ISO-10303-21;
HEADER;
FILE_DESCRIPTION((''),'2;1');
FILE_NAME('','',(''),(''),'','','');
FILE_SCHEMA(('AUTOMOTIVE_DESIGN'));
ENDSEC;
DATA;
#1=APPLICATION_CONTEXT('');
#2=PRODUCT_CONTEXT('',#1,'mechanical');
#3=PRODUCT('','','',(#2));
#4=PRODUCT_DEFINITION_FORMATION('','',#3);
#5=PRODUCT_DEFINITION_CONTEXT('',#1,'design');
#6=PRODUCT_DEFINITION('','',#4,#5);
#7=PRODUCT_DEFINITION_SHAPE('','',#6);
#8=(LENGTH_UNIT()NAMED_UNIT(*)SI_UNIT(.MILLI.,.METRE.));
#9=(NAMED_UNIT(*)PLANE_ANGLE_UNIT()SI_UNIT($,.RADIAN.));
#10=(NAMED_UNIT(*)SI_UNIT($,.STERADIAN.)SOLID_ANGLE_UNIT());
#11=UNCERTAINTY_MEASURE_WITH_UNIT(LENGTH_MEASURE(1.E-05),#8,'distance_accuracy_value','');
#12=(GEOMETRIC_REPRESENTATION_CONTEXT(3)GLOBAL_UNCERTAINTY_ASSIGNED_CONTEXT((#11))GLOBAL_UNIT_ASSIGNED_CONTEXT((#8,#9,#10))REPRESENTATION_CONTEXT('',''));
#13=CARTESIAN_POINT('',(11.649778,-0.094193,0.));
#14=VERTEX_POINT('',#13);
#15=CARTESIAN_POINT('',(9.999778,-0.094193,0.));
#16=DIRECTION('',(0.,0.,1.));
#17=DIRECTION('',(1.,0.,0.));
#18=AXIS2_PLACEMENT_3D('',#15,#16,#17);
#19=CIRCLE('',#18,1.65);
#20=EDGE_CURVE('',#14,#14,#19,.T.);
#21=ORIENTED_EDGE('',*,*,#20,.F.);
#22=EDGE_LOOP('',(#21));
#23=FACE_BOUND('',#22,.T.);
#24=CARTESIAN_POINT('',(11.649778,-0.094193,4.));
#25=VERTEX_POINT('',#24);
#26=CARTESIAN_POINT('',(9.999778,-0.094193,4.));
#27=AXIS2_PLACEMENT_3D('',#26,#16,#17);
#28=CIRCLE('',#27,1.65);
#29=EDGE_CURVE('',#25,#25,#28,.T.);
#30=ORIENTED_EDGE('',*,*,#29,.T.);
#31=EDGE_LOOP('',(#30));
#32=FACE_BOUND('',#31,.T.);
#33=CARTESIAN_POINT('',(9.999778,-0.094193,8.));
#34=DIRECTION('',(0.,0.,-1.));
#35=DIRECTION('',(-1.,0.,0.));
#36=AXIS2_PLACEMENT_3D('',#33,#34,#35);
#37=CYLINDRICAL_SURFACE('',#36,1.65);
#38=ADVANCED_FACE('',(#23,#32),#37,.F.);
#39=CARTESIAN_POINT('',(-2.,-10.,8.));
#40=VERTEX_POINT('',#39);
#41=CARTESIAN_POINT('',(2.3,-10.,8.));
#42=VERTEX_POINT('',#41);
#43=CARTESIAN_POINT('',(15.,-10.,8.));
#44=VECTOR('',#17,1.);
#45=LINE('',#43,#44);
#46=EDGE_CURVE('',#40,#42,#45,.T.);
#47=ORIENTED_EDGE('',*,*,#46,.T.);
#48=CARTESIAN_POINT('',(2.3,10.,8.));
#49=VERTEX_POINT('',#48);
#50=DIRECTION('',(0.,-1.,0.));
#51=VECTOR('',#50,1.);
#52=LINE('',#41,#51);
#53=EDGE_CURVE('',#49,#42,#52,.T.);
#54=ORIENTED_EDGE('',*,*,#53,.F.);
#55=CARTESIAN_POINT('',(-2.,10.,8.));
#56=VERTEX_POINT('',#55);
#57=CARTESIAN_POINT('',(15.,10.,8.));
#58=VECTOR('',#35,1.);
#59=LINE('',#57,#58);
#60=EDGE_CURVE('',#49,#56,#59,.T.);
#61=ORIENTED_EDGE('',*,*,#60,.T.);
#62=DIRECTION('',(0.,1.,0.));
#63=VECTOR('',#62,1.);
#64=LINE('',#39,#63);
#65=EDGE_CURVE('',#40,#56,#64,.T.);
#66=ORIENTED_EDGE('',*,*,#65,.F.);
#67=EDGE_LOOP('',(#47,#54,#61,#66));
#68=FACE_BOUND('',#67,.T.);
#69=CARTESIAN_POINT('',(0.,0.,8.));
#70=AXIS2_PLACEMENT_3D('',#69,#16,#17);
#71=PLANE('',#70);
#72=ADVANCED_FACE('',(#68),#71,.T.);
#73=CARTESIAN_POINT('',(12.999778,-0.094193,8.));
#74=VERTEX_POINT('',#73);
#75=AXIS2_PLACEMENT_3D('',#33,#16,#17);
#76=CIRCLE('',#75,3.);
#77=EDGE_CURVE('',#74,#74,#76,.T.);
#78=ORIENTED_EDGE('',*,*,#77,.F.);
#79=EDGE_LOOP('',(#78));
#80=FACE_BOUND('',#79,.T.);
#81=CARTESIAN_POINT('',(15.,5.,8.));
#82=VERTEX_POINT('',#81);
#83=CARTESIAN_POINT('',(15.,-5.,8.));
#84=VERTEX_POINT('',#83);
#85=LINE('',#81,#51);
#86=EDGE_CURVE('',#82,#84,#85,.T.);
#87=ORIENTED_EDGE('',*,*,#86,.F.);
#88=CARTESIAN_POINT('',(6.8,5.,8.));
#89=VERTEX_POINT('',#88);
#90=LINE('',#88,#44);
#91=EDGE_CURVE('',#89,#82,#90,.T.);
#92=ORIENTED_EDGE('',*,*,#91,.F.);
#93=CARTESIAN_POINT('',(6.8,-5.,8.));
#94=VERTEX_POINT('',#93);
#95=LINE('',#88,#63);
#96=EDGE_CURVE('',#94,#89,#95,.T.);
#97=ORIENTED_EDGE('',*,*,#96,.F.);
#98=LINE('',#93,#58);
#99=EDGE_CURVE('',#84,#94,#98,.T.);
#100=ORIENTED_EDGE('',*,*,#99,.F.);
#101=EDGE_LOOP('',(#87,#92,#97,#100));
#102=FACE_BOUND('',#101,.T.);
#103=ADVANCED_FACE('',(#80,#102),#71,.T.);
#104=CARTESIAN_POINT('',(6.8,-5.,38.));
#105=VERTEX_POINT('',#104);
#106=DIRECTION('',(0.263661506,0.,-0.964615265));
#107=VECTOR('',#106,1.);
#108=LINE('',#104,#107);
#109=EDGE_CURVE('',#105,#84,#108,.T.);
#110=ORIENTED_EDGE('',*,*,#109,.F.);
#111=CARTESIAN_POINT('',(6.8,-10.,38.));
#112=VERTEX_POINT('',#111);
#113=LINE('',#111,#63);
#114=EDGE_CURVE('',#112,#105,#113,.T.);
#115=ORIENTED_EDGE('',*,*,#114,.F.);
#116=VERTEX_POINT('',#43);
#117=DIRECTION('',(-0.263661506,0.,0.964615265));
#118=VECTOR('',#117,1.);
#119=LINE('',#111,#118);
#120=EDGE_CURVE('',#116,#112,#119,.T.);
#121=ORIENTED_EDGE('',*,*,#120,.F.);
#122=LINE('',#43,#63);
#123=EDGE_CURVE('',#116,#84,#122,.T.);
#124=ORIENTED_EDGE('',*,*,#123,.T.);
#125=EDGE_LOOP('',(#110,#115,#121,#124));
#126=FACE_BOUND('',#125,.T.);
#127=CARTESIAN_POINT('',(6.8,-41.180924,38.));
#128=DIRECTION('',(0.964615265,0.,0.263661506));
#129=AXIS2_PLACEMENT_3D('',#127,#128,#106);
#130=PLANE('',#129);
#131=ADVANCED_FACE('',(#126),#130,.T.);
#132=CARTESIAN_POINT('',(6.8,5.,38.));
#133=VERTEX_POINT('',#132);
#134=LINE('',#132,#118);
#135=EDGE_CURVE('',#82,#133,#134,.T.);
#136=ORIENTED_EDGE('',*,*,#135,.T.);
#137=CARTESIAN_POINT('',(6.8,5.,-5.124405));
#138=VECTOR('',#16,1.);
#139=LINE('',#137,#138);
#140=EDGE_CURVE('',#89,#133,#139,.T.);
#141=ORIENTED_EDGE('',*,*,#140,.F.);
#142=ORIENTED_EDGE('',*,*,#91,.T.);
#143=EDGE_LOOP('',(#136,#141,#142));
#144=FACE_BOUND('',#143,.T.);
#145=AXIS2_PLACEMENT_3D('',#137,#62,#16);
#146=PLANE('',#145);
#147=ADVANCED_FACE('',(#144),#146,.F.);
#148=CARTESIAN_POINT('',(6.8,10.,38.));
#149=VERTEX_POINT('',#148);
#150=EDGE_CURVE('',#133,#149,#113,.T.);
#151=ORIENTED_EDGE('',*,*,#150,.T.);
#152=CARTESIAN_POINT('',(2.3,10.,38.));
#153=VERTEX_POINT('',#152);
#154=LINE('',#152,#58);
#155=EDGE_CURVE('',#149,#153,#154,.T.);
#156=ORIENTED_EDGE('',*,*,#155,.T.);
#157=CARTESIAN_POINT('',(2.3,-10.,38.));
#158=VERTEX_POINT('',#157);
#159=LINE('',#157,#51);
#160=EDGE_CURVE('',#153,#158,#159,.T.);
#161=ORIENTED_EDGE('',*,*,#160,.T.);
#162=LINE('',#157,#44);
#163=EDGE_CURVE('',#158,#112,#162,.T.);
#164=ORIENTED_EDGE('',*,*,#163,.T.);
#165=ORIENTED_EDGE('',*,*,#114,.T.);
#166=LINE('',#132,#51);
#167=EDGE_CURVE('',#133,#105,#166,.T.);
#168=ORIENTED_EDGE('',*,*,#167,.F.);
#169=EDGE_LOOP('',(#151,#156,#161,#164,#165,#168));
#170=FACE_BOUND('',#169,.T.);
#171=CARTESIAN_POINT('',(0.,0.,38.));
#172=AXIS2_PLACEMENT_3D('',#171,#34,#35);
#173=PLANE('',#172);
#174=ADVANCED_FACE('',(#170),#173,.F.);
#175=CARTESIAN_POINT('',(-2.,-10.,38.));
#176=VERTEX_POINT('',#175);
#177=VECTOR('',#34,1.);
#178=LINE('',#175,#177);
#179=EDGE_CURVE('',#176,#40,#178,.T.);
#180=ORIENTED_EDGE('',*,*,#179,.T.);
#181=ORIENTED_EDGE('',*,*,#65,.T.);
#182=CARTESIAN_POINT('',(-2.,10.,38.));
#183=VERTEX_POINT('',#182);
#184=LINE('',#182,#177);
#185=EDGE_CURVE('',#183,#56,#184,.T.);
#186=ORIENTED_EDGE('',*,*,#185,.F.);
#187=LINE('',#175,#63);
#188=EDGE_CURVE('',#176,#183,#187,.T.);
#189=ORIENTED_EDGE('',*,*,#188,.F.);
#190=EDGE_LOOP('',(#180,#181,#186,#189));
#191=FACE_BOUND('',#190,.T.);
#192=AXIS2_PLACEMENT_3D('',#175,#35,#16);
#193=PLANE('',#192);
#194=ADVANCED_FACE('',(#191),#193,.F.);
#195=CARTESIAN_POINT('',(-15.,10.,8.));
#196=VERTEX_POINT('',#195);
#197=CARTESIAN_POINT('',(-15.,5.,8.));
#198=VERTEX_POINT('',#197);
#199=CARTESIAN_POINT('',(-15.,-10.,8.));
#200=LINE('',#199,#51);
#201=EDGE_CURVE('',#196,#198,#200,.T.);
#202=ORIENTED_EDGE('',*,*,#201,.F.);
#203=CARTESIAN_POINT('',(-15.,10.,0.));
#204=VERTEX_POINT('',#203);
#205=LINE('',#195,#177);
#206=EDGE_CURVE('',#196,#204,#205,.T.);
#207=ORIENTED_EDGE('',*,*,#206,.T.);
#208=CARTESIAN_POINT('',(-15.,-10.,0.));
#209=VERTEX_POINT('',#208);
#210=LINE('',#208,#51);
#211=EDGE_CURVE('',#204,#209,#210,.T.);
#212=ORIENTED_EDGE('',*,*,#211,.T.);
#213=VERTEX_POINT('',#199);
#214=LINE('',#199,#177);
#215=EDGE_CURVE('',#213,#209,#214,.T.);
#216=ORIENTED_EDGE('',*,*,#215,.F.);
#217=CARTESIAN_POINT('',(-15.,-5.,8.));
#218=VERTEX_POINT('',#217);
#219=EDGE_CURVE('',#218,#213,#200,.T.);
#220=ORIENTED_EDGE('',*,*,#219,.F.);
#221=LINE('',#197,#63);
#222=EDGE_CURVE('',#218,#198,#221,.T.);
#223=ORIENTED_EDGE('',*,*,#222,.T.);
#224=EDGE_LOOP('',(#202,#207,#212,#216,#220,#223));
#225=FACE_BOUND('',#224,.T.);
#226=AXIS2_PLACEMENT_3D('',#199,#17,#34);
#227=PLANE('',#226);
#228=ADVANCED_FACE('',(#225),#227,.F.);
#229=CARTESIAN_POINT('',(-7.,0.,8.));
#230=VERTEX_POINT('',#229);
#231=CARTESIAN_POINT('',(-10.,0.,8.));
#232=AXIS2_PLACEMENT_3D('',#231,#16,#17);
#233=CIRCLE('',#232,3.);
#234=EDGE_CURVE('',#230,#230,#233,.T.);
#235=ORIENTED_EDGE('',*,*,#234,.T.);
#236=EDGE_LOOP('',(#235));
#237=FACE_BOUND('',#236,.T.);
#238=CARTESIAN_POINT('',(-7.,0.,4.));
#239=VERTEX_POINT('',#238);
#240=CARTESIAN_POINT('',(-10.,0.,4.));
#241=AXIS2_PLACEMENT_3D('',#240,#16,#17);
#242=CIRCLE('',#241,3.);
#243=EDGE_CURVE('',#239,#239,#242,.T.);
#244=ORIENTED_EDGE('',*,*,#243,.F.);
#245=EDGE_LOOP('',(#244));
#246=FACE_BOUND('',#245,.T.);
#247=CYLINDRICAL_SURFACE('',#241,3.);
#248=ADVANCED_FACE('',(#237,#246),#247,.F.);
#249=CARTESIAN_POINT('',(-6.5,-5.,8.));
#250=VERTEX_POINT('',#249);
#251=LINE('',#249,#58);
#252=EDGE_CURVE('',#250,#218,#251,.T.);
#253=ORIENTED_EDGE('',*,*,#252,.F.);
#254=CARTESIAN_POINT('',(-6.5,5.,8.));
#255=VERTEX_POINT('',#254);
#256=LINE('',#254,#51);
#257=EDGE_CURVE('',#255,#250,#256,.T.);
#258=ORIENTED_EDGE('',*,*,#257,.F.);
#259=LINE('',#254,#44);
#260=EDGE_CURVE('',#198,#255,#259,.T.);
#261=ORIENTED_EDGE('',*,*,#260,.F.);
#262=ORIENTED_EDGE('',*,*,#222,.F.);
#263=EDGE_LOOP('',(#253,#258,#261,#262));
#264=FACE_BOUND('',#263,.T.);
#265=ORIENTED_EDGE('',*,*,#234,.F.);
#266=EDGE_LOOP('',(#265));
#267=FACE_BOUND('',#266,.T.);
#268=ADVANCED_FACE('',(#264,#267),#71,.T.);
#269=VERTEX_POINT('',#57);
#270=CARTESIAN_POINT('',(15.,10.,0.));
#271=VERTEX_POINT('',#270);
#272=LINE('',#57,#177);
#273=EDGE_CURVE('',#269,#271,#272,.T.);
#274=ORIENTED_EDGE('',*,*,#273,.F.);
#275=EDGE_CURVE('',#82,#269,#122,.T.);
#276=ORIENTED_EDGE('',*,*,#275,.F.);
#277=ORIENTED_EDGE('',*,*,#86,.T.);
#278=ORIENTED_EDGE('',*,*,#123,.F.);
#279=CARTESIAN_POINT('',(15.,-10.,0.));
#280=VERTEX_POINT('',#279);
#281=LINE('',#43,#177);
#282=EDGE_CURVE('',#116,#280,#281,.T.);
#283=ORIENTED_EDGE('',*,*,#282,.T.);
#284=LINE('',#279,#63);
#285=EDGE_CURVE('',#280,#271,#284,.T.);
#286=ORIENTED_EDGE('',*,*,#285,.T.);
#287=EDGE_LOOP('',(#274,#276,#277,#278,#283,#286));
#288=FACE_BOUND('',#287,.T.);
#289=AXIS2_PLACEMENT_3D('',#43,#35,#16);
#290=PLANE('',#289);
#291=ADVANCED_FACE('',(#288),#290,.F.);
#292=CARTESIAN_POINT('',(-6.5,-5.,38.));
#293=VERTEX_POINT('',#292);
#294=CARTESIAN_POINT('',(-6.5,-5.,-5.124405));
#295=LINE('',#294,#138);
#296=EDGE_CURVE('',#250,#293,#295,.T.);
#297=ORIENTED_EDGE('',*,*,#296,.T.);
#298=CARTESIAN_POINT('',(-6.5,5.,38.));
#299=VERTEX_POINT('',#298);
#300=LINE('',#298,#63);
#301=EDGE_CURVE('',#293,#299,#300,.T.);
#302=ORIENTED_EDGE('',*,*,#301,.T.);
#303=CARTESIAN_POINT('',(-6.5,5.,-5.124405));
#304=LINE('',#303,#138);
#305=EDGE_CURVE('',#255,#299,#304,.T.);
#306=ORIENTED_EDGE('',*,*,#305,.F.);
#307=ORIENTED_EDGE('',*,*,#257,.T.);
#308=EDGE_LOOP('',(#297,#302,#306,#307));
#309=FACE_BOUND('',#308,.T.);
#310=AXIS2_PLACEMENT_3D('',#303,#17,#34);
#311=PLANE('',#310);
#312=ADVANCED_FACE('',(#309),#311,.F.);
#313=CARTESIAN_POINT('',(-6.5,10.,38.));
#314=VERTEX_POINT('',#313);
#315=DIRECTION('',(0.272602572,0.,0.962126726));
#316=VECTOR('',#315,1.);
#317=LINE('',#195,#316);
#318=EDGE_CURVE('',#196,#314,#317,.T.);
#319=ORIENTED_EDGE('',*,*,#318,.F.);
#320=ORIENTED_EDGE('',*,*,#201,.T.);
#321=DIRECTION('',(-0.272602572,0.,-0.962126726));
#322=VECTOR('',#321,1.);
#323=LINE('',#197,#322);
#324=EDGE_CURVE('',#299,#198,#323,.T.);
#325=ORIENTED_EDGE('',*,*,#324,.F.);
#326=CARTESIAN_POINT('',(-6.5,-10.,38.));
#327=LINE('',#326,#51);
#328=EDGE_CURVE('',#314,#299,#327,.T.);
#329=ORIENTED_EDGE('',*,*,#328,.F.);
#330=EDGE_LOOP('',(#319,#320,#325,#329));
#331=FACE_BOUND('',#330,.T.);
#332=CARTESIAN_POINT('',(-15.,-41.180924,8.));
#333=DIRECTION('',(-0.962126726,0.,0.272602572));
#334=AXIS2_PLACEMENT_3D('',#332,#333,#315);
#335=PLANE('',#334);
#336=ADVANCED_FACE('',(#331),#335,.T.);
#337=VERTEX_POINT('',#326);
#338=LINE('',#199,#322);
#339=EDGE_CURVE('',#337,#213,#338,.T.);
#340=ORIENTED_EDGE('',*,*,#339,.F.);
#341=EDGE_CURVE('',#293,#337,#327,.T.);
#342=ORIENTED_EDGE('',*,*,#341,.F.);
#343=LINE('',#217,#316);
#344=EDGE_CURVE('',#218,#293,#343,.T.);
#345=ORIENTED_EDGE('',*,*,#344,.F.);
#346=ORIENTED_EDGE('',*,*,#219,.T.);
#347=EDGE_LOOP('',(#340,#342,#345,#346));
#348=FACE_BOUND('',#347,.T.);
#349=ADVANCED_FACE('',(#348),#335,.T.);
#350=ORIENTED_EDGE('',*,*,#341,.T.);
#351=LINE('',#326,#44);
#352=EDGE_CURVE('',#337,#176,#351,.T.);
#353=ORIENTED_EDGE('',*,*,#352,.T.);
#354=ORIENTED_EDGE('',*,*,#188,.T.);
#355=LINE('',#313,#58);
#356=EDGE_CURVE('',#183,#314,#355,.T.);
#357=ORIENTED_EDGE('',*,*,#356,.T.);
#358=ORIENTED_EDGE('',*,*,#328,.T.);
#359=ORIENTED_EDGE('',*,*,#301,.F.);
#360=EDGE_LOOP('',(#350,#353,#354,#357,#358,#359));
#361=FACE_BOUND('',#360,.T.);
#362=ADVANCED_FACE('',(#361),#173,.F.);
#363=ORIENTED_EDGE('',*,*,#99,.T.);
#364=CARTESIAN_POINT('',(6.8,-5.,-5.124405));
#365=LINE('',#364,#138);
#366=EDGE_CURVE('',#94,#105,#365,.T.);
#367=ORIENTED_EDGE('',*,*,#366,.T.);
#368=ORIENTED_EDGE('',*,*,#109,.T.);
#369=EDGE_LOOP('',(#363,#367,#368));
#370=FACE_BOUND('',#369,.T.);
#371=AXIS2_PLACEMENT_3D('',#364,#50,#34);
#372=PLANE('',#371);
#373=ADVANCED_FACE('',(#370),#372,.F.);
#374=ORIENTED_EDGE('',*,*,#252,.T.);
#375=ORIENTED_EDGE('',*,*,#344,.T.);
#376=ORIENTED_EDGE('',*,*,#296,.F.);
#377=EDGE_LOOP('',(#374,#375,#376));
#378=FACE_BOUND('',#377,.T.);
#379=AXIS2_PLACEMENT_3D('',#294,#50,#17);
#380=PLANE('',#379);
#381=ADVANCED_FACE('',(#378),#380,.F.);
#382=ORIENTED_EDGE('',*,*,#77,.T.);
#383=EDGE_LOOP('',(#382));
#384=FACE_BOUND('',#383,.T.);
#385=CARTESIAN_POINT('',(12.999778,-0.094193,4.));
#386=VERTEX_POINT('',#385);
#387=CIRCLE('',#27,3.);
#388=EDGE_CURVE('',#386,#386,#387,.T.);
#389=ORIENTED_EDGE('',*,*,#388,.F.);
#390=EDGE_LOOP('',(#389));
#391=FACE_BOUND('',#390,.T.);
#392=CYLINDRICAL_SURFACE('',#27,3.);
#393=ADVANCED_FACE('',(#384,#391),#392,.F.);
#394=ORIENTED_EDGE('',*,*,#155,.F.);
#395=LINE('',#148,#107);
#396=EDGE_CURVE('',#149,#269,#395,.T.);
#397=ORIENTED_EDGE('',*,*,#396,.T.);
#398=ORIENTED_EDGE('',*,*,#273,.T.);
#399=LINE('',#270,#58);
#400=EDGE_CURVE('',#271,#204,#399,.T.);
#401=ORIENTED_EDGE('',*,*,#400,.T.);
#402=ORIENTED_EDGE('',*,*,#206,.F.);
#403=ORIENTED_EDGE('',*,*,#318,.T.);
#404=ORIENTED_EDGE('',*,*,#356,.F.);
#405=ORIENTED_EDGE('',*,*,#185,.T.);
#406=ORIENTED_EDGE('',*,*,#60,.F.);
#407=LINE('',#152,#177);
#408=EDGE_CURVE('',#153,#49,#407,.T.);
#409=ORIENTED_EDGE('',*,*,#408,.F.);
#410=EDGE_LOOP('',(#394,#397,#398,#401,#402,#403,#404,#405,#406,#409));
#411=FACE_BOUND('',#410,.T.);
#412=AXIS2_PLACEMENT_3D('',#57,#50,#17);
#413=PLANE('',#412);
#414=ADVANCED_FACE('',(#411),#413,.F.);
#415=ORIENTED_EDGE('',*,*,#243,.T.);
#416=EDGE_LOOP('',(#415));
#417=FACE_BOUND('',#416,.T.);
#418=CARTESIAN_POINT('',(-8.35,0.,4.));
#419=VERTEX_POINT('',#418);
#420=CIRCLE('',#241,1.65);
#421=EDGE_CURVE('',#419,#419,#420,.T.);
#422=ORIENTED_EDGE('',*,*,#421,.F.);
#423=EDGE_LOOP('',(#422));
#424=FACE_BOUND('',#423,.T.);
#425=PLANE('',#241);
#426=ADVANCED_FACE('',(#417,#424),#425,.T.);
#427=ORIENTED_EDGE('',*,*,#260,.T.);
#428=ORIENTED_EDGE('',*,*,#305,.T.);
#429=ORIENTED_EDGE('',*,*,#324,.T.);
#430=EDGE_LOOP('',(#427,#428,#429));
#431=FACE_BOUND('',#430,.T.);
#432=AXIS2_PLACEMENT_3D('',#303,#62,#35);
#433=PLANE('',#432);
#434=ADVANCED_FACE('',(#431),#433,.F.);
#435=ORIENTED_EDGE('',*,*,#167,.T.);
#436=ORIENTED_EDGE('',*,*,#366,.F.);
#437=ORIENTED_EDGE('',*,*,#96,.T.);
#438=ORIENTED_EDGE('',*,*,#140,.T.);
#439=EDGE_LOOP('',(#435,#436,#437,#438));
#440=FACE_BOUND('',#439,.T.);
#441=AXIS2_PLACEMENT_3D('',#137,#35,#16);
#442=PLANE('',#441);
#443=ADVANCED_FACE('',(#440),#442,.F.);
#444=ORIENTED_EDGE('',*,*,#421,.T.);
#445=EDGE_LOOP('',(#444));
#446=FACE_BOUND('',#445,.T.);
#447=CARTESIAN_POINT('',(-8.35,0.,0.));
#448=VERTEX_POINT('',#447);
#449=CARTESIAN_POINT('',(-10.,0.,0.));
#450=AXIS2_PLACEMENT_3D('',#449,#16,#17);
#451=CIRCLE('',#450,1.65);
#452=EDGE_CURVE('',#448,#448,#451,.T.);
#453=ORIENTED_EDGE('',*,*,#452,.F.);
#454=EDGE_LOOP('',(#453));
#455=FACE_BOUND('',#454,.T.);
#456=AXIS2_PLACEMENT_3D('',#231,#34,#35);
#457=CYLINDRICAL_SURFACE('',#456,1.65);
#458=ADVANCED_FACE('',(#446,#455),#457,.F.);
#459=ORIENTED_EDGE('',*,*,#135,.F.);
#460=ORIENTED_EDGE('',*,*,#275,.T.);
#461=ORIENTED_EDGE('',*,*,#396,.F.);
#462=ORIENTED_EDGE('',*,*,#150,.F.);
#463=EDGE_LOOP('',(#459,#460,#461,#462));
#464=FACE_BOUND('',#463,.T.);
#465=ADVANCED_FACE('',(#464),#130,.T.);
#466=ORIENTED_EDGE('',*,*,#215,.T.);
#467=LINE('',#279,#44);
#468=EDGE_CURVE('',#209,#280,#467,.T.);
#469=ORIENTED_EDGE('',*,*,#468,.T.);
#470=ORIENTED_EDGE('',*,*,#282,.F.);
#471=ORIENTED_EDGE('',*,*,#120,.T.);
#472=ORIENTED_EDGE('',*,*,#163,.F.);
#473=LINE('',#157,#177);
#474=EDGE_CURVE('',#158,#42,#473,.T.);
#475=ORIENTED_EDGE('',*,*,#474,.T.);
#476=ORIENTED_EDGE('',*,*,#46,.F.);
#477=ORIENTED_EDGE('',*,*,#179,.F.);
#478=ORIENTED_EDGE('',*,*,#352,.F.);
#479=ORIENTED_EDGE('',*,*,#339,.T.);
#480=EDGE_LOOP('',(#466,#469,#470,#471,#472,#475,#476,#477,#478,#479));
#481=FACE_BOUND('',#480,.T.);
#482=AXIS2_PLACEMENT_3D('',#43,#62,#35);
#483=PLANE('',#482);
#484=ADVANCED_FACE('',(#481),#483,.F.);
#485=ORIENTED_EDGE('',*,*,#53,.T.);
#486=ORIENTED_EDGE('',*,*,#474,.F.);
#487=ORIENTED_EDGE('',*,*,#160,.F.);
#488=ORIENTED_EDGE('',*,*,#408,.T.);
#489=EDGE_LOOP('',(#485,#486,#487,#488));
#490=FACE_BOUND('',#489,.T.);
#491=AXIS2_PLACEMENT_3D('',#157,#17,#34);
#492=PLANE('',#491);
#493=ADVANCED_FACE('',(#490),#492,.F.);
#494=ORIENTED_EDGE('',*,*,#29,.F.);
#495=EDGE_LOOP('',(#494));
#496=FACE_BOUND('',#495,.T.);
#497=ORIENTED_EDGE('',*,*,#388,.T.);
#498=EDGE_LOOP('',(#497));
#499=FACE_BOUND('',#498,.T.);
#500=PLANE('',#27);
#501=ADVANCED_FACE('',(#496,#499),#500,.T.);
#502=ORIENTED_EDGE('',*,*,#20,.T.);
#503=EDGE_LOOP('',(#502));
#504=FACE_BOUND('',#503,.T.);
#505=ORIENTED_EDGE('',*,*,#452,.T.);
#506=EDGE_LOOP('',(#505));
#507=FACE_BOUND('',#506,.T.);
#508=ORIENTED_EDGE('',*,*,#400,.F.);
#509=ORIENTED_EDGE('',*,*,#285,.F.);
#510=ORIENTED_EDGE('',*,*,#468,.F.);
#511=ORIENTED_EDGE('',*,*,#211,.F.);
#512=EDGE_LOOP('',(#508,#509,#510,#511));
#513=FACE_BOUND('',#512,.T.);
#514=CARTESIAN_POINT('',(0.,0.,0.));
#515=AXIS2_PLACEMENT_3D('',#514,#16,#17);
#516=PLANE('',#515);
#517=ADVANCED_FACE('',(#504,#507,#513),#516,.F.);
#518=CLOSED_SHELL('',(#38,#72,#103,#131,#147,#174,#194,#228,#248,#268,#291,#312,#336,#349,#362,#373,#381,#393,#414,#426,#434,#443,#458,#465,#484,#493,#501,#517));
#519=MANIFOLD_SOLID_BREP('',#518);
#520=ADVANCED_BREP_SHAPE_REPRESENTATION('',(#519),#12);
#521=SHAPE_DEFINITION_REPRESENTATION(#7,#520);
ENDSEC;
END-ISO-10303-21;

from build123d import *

# Parameters (mm, degrees)
SKETCH1_W           = 30
SKETCH1_H           = 20
SKETCH1_R           = 1.65
BOSS_EXTRUDE1_DEPTH = 8
SKETCH3_W           = 4.5
SKETCH3_H           = 20
BOSS_EXTRUDE2_DEPTH = 30
BOSS_EXTRUDE3_DEPTH = 20
SKETCH6_W           = 8.5
SKETCH6_H           = 10
SKETCH6_W_2         = 8.2
CUT_EXTRUDE2_DEPTH  = 30
SKETCH10_R          = 3
CUT_EXTRUDE5_DEPTH  = 4


with BuildPart() as part:
    # Sketch1 → Boss-Extrude1 (new body)
    with BuildSketch(Plane.XY):
        Rectangle(SKETCH1_W, SKETCH1_H)
        with Locations((-10, 0)):
            Circle(SKETCH1_R, mode=Mode.SUBTRACT)
        with Locations((9.999778189, -0.094193404)):
            Circle(SKETCH1_R, mode=Mode.SUBTRACT)
    extrude(amount=BOSS_EXTRUDE1_DEPTH)

    # Sketch3 → Boss-Extrude2 (add)
    with BuildSketch(Plane.XY.offset(8)):
        with Locations((-4.25, 0)):
            Rectangle(SKETCH3_W, SKETCH3_H)
        with Locations((4.55, 0)):
            Rectangle(SKETCH3_W, SKETCH3_H)
    extrude(amount=BOSS_EXTRUDE2_DEPTH)

    # Sketch5 → Boss-Extrude3 (add)
    with BuildSketch(Plane(origin=(0, 10, 0), x_dir=(1, 0, 0), z_dir=(0, 1, 0))):
        Polygon((-15, -8), (-6.5, -38), (-6.5, -8), align=None)
        Polygon((15, -8), (6.8, -8), (6.8, -38), align=None)
    extrude(amount=-BOSS_EXTRUDE3_DEPTH)

    # Sketch6 → Cut-Extrude2 (cut)
    with BuildSketch(Plane.XY.offset(38)):
        with Locations((-10.75, 0)):
            Rectangle(SKETCH6_W, SKETCH6_H)
        with Locations((10.9, 0)):
            Rectangle(SKETCH6_W_2, SKETCH6_H)
    extrude(amount=-CUT_EXTRUDE2_DEPTH, mode=Mode.SUBTRACT)

    # Sketch10 → Cut-Extrude5 (cut)
    with BuildSketch(Plane.XY.offset(8)):
        with Locations((-10, 0)):
            Circle(SKETCH10_R)
        with Locations((9.999778189, -0.094193404)):
            Circle(SKETCH10_R)
    extrude(amount=-CUT_EXTRUDE5_DEPTH, mode=Mode.SUBTRACT)


solid = part.part
